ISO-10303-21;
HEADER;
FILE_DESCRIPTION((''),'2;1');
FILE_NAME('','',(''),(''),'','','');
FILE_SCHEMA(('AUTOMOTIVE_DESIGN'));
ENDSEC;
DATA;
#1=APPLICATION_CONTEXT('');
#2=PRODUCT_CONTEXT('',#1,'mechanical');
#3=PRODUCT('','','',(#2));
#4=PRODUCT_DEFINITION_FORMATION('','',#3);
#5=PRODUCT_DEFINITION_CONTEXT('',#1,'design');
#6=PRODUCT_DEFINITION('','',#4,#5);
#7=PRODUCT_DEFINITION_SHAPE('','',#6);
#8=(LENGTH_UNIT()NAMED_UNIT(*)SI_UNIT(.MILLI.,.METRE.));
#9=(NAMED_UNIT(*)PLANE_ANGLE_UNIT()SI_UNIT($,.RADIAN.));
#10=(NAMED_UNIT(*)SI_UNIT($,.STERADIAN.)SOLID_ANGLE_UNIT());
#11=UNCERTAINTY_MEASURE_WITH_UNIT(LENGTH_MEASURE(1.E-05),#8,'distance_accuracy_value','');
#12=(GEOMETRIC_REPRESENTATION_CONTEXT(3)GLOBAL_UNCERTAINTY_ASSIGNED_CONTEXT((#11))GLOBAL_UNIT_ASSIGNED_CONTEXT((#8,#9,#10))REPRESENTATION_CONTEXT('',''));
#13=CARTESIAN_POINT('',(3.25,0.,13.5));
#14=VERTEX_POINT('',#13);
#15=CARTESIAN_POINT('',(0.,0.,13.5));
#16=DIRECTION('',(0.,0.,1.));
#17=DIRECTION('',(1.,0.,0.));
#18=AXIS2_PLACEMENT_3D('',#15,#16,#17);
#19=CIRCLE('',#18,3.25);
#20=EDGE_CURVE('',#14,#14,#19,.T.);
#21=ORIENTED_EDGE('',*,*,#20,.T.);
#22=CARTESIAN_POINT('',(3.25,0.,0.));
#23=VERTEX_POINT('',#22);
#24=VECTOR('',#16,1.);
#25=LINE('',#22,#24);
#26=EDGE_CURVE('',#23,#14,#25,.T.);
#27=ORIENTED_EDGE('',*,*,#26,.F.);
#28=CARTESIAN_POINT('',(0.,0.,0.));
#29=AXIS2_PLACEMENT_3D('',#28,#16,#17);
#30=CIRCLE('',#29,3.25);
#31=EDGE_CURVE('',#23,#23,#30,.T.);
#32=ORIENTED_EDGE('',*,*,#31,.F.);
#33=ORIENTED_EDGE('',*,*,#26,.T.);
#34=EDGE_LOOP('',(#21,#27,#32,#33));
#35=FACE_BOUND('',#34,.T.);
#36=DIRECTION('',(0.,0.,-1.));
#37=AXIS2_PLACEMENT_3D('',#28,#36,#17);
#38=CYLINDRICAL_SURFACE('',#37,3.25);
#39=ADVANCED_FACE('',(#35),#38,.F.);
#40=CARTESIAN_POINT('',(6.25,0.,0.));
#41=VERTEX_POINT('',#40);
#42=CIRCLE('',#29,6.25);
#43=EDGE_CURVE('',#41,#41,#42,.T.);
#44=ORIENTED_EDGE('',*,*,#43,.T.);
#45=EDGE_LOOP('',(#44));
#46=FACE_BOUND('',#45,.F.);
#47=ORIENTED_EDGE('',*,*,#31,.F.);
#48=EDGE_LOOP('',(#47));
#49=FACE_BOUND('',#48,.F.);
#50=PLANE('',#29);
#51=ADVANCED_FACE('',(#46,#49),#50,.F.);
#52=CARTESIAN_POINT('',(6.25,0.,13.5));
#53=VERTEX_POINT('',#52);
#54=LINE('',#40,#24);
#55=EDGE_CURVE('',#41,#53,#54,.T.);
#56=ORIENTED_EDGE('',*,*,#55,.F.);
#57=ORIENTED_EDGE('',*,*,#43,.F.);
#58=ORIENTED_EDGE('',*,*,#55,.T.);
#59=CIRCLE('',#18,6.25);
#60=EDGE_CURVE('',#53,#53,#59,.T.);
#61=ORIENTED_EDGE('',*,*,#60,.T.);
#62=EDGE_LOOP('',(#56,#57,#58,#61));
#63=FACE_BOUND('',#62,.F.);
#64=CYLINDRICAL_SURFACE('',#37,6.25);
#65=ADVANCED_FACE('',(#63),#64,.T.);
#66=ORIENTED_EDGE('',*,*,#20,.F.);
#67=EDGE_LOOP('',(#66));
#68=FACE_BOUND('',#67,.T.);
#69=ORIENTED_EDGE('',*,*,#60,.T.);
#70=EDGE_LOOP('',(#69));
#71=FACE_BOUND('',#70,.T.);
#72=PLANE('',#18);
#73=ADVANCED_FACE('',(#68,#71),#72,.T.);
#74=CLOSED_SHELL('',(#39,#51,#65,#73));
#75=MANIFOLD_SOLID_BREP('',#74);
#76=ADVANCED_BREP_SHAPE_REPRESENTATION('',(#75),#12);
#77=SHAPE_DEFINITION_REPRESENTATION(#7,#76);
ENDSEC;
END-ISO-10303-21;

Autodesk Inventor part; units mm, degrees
ref_plane "YZ Plane" through (0, 0, 0) normal (1, 0, 0) x (0, 1, 0)
ref_plane "XZ Plane" through (0, 0, 0) normal (0, 1, 0) x (-1, 0, 0)
ref_plane "XY Plane" through (0, 0, 0) normal (0, 0, 1) x (1, 0, 0)
sketch "Sketch1" plane through (0, 0, 0) normal (0, 0, 1) x (1, 0, 0)
  circle A0 centre (0, 0) radius 3.25
  circle A1 centre (0, 0) radius 6.25
  dimension "d0" = 6.5
  dimension "d1" = 3
extrude "Extrusion1" add sketch "Sketch1" along normal blind 13.5
properties part number "16mm M6 Spacer"
